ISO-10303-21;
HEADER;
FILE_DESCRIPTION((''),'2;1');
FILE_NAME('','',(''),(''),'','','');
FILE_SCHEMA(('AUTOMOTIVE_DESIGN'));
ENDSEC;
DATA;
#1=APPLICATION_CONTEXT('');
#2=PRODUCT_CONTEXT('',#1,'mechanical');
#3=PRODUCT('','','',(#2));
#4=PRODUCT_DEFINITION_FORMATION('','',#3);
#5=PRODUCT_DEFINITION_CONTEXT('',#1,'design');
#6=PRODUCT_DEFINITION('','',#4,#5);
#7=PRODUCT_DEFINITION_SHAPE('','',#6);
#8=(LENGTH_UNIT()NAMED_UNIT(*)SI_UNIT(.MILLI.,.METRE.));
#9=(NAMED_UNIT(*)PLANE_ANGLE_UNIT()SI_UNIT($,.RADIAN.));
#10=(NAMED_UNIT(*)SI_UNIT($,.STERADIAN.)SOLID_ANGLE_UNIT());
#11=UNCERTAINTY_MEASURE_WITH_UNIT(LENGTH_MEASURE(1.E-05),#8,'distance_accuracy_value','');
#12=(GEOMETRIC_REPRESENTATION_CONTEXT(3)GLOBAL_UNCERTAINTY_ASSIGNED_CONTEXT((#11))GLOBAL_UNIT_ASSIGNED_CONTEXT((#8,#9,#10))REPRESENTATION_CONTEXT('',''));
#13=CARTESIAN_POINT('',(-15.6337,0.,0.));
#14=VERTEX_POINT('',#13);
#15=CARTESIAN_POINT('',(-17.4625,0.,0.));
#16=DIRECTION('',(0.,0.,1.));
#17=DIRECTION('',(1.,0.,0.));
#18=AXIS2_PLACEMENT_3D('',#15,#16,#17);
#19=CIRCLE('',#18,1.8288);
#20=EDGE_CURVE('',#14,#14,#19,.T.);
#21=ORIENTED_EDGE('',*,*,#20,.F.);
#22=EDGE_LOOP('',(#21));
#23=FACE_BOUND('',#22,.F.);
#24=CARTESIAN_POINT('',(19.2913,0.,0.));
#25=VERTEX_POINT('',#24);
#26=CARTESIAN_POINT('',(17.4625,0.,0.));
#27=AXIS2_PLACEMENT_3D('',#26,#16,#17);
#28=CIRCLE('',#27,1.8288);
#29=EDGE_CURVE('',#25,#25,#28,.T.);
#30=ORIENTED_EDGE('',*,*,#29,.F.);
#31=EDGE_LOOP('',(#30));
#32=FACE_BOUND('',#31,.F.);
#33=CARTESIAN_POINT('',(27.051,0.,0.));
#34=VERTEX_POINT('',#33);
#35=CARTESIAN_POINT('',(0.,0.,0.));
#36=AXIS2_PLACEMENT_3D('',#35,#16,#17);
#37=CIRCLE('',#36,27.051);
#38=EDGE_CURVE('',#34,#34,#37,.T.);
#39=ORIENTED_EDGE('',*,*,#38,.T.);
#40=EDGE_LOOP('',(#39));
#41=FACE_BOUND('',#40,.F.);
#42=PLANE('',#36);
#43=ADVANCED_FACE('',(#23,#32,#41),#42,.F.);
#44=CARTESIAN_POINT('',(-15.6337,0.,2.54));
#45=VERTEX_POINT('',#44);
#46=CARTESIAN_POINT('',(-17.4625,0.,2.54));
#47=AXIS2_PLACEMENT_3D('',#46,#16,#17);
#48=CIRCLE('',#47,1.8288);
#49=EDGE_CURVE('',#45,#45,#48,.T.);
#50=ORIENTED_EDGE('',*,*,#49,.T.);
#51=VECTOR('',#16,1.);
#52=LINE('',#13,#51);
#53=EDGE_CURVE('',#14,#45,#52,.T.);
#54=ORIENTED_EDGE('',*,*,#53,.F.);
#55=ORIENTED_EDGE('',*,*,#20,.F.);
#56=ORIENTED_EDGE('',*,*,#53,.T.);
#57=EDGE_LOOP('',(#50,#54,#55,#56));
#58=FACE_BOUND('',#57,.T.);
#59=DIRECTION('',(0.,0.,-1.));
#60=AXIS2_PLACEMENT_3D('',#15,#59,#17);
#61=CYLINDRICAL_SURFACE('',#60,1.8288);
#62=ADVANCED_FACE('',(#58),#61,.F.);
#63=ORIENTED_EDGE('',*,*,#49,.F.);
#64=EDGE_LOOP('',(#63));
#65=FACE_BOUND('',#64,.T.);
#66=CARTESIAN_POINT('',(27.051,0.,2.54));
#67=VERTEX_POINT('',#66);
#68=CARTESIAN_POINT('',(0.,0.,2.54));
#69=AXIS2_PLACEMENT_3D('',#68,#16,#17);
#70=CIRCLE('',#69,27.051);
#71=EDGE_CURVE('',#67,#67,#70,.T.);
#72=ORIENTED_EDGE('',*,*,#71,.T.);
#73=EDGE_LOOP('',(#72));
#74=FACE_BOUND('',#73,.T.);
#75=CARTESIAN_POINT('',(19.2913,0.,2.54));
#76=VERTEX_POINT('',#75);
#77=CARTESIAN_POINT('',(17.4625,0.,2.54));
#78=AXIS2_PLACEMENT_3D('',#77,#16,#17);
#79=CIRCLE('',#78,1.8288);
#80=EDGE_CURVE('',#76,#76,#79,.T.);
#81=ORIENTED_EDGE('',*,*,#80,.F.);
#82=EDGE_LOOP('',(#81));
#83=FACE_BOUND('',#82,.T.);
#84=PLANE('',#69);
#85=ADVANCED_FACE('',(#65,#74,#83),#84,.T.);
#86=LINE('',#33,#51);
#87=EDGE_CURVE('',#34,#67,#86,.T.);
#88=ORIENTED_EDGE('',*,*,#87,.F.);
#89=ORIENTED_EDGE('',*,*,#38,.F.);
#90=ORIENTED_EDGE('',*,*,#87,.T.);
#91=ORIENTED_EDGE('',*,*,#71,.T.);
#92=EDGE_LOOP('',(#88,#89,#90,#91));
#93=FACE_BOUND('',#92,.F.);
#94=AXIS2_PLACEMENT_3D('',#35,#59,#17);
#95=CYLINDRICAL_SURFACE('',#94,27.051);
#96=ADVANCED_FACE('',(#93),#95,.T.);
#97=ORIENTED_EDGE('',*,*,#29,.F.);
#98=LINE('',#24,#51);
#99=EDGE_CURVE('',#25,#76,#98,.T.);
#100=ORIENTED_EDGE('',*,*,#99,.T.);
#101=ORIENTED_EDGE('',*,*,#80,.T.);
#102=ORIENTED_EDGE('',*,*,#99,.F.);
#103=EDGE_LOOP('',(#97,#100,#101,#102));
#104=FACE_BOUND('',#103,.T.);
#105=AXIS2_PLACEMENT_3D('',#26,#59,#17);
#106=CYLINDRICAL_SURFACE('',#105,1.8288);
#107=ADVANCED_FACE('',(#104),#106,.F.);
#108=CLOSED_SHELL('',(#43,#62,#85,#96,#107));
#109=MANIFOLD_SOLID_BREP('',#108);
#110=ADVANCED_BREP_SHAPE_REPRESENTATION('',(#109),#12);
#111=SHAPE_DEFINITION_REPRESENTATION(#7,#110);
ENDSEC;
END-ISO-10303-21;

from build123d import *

# Parameters (mm, degrees)
SKETCH_R   = 27.051
SKETCH_R_2 = 1.8288
PAD_DEPTH  = 2.54


with BuildPart() as part:
    # Sketch → Pad (new body)
    with BuildSketch(Plane.XY):
        Circle(SKETCH_R)
        with Locations((-17.4625, 0)):
            Circle(SKETCH_R_2, mode=Mode.SUBTRACT)
        with Locations((17.4625, 0)):
            Circle(SKETCH_R_2, mode=Mode.SUBTRACT)
    extrude(amount=PAD_DEPTH)


solid = part.part
